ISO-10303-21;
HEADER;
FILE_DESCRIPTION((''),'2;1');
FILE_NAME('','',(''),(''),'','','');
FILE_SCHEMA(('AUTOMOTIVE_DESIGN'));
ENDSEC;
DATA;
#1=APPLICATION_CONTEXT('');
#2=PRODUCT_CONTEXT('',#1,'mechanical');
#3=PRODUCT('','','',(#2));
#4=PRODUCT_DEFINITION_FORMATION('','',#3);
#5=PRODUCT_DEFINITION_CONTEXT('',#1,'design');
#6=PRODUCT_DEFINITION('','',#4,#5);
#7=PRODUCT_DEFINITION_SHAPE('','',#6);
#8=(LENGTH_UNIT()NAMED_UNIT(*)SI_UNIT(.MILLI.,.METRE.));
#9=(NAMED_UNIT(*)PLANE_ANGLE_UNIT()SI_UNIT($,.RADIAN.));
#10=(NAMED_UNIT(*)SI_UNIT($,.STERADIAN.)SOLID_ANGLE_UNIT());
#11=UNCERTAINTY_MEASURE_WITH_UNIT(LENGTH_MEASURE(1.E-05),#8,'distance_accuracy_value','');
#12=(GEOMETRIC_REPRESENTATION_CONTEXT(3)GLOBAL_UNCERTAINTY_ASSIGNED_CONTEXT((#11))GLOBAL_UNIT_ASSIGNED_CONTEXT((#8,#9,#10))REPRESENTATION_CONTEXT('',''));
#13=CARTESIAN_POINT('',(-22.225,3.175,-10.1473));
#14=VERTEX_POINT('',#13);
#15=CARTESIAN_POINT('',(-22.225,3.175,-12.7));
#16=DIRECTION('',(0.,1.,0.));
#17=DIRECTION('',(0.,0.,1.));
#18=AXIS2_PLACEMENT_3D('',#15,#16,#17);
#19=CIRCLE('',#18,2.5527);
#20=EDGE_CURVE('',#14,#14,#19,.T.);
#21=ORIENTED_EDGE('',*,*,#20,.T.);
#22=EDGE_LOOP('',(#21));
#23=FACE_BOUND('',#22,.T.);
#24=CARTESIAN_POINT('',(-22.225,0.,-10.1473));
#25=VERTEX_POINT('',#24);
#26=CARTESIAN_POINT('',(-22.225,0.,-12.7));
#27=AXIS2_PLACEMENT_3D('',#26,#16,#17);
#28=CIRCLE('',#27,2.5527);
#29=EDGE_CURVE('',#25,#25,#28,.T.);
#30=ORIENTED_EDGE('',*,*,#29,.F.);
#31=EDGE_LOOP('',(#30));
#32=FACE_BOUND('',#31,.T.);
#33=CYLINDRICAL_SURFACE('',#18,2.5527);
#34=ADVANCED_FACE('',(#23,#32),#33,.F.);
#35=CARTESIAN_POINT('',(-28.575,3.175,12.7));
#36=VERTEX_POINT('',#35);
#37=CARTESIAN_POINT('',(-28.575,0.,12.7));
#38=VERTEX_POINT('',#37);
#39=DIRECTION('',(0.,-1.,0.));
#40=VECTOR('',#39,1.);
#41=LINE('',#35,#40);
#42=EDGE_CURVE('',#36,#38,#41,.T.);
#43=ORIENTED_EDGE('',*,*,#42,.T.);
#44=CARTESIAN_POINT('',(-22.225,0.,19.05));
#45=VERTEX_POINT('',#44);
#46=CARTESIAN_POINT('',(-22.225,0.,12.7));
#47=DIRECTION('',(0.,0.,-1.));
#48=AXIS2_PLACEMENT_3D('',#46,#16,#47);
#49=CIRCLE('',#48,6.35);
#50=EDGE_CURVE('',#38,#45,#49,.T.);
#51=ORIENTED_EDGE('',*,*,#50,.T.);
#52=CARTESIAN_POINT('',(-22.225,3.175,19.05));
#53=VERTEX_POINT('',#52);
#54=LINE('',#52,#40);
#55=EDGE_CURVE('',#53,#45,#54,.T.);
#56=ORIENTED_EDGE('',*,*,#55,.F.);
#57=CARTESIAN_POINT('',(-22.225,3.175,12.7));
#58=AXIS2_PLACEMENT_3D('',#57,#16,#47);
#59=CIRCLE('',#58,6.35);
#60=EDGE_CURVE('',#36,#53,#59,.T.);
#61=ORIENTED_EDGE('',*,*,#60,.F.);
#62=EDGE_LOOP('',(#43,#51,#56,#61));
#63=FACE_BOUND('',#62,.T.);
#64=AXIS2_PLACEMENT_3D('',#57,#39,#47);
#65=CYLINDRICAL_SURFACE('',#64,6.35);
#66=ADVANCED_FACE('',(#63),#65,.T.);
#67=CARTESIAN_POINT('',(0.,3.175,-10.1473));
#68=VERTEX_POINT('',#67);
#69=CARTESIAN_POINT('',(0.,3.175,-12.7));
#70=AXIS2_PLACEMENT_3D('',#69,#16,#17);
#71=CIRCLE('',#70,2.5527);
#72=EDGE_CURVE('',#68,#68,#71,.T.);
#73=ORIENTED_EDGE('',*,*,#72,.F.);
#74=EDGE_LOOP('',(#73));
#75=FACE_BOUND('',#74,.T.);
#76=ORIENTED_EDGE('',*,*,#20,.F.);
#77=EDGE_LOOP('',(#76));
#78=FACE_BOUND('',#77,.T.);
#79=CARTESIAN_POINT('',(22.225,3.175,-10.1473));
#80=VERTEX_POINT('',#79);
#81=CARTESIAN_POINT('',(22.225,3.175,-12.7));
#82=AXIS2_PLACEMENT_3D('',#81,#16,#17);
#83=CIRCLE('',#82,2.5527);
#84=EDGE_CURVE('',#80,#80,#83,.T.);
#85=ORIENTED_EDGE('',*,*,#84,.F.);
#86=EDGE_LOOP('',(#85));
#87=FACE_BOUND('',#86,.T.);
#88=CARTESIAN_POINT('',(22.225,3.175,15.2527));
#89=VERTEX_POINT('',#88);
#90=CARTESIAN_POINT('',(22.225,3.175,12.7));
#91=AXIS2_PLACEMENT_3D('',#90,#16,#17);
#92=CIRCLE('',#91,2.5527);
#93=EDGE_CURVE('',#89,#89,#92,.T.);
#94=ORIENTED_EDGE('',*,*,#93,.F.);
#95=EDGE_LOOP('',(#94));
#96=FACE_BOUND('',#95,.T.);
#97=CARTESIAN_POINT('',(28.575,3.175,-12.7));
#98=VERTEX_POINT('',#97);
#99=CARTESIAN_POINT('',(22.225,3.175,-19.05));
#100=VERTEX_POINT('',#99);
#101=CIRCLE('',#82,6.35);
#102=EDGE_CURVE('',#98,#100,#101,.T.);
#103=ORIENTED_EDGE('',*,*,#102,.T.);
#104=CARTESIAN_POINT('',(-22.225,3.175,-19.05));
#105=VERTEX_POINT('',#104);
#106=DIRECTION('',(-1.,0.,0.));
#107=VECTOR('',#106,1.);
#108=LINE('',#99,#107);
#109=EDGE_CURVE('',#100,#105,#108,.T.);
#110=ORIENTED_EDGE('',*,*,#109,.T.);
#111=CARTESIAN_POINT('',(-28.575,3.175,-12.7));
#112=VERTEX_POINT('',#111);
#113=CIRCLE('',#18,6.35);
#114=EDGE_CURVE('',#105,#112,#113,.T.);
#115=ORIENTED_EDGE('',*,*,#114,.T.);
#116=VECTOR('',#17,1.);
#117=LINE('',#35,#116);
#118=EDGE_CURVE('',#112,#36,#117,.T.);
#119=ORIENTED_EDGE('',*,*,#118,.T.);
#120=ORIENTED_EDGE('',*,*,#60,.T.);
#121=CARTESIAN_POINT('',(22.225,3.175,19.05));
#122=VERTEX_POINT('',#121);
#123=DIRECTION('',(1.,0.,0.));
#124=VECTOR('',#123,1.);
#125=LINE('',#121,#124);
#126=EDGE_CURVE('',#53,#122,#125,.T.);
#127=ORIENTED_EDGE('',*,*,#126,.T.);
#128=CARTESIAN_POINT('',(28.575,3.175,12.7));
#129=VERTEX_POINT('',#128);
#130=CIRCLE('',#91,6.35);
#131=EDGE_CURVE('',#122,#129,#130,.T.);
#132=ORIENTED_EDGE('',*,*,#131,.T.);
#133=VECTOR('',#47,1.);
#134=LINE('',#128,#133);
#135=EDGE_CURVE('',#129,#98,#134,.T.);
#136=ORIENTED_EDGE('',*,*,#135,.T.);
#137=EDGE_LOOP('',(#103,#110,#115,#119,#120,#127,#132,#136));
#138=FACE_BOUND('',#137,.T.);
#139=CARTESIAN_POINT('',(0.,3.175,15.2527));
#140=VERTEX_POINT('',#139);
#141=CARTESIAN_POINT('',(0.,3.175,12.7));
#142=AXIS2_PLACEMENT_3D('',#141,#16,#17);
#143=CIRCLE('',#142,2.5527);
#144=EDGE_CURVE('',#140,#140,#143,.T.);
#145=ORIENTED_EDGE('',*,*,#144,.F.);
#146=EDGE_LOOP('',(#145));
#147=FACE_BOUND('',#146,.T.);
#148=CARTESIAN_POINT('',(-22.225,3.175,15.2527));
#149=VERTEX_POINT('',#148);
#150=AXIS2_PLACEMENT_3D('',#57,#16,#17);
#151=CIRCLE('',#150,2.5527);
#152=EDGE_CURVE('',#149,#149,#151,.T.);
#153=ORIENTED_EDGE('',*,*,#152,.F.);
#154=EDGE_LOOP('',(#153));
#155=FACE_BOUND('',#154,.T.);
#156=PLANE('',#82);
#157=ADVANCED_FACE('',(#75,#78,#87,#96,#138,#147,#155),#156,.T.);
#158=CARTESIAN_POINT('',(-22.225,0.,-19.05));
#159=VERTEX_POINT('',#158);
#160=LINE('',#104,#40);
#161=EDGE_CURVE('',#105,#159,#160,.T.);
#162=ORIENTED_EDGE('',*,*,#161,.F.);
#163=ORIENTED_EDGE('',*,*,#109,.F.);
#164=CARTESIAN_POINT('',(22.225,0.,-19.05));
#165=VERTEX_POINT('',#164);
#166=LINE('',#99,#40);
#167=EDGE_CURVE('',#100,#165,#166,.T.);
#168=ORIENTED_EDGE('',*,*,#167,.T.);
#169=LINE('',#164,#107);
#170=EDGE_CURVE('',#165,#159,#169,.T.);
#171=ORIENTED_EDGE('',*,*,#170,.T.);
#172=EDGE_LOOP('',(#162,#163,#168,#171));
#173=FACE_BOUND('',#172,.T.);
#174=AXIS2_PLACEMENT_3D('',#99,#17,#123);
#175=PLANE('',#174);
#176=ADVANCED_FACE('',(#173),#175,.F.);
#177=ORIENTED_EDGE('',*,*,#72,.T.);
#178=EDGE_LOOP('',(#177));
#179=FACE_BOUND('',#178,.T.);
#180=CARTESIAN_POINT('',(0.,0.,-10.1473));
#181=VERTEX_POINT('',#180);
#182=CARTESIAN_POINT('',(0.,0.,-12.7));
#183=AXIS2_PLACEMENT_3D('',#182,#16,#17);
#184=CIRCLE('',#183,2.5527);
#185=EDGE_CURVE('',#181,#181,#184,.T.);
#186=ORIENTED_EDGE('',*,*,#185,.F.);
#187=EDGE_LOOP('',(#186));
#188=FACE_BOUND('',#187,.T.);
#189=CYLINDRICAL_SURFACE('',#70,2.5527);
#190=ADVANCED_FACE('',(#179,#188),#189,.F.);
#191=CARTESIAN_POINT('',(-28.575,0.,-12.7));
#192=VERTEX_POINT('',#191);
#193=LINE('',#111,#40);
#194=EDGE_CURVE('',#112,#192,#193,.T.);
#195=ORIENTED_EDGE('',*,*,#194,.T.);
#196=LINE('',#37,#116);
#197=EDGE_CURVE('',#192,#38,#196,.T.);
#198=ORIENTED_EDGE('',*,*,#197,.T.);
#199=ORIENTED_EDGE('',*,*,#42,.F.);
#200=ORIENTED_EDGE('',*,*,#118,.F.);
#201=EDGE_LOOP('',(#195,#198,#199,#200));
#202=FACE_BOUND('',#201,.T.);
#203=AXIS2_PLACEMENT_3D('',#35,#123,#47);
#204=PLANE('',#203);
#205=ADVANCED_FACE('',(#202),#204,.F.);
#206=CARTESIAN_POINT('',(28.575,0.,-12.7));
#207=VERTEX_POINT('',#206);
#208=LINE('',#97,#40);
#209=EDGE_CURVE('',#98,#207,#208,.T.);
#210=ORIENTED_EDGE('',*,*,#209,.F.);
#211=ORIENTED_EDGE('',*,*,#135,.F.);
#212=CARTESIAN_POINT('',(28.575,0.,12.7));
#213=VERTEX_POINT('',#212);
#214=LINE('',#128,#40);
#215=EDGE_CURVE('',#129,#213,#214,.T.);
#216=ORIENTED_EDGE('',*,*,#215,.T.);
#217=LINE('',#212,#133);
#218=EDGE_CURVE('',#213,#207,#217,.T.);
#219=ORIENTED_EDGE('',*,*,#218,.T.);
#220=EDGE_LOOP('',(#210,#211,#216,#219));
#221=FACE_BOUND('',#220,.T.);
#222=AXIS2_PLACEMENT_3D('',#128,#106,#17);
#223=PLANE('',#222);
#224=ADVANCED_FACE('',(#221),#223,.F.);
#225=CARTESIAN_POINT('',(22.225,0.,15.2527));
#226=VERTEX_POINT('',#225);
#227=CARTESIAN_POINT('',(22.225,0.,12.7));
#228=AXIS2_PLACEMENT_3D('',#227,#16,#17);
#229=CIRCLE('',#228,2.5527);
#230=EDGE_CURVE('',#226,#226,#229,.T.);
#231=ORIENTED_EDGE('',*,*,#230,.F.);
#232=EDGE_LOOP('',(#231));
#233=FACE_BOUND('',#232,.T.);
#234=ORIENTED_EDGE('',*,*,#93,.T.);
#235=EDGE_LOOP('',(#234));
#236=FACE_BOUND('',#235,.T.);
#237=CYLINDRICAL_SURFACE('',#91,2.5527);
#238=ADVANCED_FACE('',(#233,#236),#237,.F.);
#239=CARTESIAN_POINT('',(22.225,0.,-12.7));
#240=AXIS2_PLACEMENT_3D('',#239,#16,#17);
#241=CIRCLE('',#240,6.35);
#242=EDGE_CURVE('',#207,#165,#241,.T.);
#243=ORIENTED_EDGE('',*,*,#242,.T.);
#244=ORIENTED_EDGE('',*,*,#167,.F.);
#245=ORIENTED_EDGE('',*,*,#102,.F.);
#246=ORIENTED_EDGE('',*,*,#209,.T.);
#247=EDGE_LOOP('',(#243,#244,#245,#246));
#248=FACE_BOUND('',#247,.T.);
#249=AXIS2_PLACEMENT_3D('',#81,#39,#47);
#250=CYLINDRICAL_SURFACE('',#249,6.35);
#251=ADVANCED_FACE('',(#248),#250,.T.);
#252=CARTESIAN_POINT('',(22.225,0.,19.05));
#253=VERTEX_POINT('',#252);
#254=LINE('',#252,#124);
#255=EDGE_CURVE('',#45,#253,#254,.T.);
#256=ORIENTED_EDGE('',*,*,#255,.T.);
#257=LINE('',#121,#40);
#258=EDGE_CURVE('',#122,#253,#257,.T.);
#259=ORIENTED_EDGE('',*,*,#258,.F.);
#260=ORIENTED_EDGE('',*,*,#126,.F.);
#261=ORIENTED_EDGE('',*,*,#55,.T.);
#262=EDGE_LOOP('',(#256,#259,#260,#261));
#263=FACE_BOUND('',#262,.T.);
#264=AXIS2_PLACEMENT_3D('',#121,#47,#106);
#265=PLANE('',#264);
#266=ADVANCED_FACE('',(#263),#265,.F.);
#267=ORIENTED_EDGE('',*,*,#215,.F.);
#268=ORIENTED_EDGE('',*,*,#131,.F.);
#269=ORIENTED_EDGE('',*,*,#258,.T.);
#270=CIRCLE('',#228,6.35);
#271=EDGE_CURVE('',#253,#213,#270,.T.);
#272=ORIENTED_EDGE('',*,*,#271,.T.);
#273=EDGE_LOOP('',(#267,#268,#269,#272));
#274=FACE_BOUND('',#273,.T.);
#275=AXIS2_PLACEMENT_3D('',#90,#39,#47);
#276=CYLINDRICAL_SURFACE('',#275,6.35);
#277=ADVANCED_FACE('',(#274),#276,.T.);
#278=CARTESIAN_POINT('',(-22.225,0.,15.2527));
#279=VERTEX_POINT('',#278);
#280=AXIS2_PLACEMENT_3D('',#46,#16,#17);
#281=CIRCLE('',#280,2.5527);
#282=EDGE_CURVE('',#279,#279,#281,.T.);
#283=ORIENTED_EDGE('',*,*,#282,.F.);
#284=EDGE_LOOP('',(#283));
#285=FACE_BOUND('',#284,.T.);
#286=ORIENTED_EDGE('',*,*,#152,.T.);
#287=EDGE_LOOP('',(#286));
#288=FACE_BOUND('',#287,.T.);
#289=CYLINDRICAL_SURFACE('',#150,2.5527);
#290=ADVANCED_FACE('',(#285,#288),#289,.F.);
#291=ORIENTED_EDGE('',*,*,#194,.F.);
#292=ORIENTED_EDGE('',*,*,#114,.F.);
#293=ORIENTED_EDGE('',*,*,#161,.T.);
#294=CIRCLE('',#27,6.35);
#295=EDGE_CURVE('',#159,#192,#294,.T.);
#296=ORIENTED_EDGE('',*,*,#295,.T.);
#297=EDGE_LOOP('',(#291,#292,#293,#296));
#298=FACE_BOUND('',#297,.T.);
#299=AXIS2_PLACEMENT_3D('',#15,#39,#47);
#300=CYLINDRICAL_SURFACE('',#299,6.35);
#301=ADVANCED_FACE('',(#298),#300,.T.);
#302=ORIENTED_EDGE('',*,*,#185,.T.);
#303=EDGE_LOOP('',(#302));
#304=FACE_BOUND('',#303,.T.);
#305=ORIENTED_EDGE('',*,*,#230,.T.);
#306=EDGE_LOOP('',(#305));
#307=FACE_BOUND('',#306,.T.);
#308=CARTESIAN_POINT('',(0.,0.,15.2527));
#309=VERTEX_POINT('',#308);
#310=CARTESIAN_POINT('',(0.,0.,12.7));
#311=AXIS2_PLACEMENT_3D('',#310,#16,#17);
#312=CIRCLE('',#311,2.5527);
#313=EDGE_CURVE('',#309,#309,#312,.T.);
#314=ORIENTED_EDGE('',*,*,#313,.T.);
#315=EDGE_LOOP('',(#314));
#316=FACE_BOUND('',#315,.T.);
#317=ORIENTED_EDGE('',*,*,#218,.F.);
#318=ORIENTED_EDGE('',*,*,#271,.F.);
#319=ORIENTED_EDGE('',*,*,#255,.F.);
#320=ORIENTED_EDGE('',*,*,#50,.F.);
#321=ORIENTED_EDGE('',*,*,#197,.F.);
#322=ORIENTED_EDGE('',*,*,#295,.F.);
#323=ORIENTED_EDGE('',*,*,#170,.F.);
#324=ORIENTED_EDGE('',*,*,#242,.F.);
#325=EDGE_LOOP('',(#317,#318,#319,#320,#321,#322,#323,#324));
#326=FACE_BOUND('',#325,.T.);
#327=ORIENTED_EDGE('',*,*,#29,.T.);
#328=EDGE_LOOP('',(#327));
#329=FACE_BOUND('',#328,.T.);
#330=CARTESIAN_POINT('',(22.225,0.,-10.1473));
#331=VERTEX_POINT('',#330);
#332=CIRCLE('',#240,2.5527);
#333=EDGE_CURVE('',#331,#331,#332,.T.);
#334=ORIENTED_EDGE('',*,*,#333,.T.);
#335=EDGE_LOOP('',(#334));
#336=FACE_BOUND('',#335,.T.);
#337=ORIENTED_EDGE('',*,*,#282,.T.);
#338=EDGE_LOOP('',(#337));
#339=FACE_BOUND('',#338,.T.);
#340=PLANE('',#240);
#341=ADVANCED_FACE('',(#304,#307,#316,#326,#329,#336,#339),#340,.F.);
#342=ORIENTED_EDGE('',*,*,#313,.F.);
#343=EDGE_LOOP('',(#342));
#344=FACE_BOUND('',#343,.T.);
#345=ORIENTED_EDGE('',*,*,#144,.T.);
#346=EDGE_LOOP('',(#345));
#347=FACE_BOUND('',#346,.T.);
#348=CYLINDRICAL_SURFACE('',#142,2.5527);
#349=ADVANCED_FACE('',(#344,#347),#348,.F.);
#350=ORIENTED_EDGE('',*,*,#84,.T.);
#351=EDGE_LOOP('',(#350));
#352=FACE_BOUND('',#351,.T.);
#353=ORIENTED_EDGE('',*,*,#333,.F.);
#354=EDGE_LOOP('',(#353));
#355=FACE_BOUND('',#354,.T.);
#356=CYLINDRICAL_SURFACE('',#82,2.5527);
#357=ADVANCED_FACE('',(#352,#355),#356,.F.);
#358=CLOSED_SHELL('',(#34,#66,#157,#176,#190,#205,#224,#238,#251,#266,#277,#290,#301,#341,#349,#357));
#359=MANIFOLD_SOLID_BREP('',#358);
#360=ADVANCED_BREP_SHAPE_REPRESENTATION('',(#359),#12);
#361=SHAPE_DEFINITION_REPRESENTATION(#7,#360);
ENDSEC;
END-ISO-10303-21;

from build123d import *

# Parameters (mm, degrees)
BOSS_EXTRUDE1_DEPTH    = 3.175
F_10_CLEARANCE_HOLE1_D = 5.1054


with BuildPart() as part:
    # Sketch1 → Boss-Extrude1 (new body)
    with BuildSketch(Plane(origin=(0, 0, 0), x_dir=(1, 0, 0), z_dir=(0, 1, 0))):
        with BuildLine():
            Line((22.225, -19.05), (-22.225, -19.05))
            ThreePointArc((-22.225, -19.05), (-26.715128061, -17.190128061), (-28.575, -12.7))
            Line((-28.575, -12.7), (-28.575, 12.7))
            ThreePointArc((-28.575, 12.7), (-26.715128061, 17.190128061), (-22.225, 19.05))
            Line((-22.225, 19.05), (22.225, 19.05))
            ThreePointArc((22.225, 19.05), (26.715128061, 17.190128061), (28.575, 12.7))
            Line((28.575, 12.7), (28.575, -12.7))
            ThreePointArc((28.575, -12.7), (26.715128061, -17.190128061), (22.225, -19.05))
        make_face()
    extrude(amount=BOSS_EXTRUDE1_DEPTH)

    # #10 Clearance Hole1 (through all)
    with Locations(Plane(origin=(0, 3.175, 0), x_dir=(1, 0, 0), z_dir=(0, 1, 0))):
        with Locations((-22.225, 12.7), (0, 12.7), (22.225, 12.7), (0, -12.7), (22.225, -12.7), (-22.225, -12.7)):
            Hole(F_10_CLEARANCE_HOLE1_D / 2)


solid = part.part
